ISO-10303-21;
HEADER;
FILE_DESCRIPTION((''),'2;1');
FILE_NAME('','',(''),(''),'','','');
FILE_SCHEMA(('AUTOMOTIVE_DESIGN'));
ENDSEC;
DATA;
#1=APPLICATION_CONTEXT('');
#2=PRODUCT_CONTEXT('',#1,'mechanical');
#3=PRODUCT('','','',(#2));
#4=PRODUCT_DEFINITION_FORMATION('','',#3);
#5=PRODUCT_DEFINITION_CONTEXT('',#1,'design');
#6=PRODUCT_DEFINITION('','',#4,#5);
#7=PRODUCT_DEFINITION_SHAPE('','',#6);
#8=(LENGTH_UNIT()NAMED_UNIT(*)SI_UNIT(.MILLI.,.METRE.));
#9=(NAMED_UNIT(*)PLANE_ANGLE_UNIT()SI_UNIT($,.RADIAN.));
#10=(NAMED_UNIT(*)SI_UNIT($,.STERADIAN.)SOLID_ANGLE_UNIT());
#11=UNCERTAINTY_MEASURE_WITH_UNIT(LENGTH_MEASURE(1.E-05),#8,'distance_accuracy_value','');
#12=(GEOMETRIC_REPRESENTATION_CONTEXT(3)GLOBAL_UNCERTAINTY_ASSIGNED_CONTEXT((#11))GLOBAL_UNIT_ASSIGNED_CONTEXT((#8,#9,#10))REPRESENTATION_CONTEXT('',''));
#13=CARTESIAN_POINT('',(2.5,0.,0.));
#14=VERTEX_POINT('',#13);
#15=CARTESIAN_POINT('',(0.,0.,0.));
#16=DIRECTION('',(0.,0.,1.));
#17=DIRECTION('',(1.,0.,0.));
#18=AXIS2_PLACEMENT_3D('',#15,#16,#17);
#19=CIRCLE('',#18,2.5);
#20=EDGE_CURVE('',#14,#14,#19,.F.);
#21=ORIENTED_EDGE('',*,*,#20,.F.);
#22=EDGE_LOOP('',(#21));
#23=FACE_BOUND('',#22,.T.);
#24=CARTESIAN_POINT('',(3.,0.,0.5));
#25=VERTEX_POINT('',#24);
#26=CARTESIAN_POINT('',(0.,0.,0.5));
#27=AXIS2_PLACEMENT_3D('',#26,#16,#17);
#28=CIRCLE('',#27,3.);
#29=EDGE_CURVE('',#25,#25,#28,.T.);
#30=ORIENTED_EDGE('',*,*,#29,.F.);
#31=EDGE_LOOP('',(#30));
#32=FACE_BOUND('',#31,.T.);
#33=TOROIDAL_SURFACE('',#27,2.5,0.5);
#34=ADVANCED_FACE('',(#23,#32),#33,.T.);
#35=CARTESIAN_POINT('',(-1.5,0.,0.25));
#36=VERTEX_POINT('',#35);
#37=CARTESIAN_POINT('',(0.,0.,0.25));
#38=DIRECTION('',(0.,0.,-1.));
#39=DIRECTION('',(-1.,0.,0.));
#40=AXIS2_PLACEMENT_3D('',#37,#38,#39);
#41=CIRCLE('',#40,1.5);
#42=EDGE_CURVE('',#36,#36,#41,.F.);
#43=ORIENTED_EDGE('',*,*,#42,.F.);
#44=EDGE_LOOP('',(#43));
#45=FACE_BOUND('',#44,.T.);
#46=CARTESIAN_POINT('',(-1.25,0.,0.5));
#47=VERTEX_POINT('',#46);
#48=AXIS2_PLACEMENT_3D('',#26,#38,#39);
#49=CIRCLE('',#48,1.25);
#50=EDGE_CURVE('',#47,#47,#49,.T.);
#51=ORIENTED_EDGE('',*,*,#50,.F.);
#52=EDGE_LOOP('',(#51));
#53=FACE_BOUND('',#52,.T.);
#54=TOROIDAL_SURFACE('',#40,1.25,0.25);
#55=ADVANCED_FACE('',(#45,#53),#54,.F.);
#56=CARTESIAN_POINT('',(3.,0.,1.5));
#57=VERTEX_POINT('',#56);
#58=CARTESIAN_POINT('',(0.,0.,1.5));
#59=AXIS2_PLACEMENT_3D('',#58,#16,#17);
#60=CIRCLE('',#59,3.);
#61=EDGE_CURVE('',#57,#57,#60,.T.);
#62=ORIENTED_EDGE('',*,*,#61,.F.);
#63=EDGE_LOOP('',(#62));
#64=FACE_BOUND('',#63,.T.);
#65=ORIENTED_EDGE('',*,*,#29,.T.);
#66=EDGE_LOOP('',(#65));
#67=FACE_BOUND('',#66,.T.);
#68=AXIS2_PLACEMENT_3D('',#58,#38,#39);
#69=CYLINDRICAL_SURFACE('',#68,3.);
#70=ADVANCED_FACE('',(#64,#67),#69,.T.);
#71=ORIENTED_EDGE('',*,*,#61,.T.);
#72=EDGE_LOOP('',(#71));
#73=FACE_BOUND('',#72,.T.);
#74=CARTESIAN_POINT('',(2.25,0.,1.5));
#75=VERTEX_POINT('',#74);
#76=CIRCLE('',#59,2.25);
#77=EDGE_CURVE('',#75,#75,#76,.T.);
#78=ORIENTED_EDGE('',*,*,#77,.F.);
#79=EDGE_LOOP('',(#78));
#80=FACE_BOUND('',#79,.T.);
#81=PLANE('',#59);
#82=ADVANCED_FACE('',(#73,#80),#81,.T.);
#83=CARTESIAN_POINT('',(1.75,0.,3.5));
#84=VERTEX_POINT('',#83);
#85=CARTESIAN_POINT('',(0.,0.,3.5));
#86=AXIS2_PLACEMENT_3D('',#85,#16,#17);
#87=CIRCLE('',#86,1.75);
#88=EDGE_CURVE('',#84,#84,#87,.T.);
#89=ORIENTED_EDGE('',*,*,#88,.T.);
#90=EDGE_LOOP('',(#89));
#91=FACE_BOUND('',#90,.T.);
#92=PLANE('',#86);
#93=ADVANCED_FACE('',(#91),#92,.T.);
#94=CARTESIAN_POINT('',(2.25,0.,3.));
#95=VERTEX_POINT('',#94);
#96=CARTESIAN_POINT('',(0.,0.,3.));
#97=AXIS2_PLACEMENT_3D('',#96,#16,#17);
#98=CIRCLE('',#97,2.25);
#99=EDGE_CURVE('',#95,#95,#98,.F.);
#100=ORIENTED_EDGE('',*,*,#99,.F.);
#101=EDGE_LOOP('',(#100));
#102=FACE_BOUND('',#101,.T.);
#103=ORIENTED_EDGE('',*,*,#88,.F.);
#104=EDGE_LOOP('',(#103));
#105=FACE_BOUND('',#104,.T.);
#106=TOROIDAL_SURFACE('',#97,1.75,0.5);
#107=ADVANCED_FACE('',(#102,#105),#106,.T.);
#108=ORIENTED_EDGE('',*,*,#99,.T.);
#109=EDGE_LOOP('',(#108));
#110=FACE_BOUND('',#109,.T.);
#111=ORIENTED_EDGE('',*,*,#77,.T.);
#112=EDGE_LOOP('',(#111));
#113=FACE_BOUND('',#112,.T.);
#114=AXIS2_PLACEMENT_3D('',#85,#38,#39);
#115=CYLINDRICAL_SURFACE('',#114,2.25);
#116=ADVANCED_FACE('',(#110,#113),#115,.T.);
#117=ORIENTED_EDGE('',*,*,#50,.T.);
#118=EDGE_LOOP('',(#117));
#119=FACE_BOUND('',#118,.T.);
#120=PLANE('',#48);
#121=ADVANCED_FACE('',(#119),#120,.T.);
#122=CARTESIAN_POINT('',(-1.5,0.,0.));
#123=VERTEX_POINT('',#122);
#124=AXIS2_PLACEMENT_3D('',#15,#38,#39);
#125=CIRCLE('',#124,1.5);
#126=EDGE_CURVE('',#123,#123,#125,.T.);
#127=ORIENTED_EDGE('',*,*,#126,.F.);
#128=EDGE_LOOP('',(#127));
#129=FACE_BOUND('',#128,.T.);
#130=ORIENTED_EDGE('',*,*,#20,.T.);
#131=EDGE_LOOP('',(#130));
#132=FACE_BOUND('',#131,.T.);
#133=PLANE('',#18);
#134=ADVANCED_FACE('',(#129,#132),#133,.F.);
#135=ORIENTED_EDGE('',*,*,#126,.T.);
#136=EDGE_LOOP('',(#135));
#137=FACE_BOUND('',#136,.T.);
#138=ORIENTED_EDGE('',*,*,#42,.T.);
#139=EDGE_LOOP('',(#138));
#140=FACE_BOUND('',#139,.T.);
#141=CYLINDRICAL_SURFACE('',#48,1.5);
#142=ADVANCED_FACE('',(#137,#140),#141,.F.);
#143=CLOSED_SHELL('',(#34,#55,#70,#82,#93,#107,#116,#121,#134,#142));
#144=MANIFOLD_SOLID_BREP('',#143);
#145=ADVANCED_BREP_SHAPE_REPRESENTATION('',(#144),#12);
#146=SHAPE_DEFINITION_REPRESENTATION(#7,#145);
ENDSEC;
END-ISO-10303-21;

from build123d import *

# Parameters (mm, degrees)
SKETCH_1_R          = 3
EXTRUDE_1_DEPTH     = 1.5
SKETCH_2_R          = 2.25
EXTRUDE_2_DEPTH     = 2
SKETCH_3_R          = 1.5
CUT_EXTRUDE_1_DEPTH = 0.5
FILLET_1_R          = 0.25
FILLET_2_R          = 0.5
FILLET_3_R          = 0.5


with BuildPart() as part:
    # Эскиз1 → Бобышка-Вытянуть1 (new body)
    with BuildSketch(Plane.XY):
        Circle(SKETCH_1_R)
    extrude(amount=EXTRUDE_1_DEPTH)

    # Эскиз2 → Бобышка-Вытянуть2 (add)
    with BuildSketch(Plane.XY.offset(1.5)):
        Circle(SKETCH_2_R)
    extrude(amount=EXTRUDE_2_DEPTH)

    # Эскиз3 → Вырез-Вытянуть1 (cut)
    with BuildSketch(Plane(origin=(0, 0, 0), x_dir=(-1, 0, 0), z_dir=(0, 0, -1))):
        Circle(SKETCH_3_R)
    extrude(amount=-CUT_EXTRUDE_1_DEPTH, mode=Mode.SUBTRACT)

    # Скругление1
    fillet_1_edges = [part.edges().sort_by_distance(p)[0] for p in [
        (1.5, 0, 0.5),
    ]]
    fillet(fillet_1_edges, radius=FILLET_1_R)

    # Скругление2
    fillet_2_edges = [part.edges().sort_by_distance(p)[0] for p in [
        (-2.25, 0, 3.5),
    ]]
    fillet(fillet_2_edges, radius=FILLET_2_R)

    # Скругление3
    fillet_3_edges = [part.edges().sort_by_distance(p)[0] for p in [
        (-3, 0, 0),
    ]]
    fillet(fillet_3_edges, radius=FILLET_3_R)


solid = part.part
